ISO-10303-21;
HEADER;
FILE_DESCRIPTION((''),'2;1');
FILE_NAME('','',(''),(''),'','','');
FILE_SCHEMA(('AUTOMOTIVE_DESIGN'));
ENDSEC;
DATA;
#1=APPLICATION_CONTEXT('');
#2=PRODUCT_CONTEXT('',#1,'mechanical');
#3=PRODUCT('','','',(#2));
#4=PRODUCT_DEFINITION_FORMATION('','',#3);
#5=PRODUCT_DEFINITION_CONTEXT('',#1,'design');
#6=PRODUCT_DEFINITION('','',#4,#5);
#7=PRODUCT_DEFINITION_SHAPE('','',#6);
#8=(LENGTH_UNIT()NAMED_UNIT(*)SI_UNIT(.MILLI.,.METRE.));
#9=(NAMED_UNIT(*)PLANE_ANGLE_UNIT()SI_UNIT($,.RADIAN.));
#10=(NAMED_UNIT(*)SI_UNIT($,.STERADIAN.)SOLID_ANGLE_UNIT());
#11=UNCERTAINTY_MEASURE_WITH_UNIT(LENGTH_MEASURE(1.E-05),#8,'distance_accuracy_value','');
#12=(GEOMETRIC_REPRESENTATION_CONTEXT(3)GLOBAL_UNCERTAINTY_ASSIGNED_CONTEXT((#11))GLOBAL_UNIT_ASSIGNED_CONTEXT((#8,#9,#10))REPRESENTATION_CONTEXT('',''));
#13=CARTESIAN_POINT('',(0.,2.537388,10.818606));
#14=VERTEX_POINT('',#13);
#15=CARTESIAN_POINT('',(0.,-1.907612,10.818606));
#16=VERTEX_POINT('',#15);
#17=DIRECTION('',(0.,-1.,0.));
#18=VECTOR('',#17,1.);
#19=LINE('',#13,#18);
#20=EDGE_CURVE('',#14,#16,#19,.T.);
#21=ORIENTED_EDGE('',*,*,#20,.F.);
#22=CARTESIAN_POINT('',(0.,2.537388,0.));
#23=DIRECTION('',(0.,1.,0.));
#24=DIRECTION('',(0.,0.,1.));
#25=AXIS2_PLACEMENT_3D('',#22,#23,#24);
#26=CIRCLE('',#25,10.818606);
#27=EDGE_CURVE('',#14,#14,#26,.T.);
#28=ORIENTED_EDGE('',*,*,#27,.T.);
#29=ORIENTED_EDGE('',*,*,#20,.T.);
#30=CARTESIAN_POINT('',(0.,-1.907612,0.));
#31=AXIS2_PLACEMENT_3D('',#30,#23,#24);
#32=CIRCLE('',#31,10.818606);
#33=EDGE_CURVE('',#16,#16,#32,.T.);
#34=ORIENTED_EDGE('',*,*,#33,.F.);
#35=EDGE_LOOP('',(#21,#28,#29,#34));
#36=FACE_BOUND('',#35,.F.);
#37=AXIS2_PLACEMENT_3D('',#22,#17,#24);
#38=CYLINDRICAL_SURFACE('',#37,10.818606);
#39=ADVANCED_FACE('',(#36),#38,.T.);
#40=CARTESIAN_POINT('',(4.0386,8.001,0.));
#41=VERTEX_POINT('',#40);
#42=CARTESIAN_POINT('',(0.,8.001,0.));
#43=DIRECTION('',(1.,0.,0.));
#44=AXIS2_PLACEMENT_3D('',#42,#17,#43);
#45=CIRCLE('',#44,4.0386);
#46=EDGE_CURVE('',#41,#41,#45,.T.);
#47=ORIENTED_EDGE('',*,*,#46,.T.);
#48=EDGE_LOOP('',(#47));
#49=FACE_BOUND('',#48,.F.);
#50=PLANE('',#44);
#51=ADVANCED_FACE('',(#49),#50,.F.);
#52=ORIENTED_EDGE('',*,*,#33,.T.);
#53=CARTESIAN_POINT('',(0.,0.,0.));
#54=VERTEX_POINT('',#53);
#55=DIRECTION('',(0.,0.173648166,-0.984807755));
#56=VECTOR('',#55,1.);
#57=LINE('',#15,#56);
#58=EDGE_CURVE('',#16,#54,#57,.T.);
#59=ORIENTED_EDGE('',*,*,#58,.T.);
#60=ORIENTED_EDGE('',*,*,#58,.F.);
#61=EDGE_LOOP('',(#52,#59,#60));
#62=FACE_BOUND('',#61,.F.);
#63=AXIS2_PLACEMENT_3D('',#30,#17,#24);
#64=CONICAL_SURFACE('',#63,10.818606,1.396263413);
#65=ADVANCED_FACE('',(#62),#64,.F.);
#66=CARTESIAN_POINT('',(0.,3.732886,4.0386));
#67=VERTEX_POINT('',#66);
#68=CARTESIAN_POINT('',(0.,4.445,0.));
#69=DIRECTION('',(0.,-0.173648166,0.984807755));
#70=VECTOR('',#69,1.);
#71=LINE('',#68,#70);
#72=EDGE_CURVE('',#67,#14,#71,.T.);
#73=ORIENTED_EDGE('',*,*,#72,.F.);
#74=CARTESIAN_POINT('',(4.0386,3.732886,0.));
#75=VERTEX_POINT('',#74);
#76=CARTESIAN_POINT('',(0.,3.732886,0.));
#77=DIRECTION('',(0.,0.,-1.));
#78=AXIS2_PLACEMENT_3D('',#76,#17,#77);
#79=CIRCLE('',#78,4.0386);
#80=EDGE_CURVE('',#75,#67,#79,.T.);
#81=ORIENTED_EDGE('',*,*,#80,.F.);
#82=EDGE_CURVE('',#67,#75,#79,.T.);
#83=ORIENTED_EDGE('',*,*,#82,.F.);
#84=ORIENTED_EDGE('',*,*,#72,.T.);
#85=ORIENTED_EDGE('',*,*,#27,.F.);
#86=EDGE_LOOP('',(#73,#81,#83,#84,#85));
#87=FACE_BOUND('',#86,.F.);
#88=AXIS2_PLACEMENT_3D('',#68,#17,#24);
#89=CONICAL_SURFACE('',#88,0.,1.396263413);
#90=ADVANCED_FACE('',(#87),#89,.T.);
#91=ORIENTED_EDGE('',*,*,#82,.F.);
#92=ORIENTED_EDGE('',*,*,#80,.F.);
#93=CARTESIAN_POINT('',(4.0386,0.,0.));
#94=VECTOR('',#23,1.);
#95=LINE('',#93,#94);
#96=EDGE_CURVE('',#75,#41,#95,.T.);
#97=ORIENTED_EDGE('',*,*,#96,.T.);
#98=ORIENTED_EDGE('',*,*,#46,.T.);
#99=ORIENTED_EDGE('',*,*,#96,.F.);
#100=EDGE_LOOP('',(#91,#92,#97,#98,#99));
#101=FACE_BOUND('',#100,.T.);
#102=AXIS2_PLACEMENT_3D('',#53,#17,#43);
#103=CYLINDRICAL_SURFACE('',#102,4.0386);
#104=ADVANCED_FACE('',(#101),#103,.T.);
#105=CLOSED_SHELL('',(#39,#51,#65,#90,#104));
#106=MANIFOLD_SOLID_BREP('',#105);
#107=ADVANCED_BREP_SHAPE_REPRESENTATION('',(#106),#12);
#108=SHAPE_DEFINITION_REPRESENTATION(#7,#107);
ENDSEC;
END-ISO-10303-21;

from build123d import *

# Parameters (mm, degrees)
F2_R     = 4.0386
F3_DEPTH = 3.4925
F4_DEPTH = 8.001


with BuildPart() as f1:
    # F0 (on Right) → F1 (revolve)
    with BuildSketch(Plane.YZ):
        Polygon((-1.907612, 10.818606), (0, 0), (4.445, 0), (2.537388, 10.818606), align=None)
    revolve(axis=Axis((0, 0.105105, 0), (0, 1, 0)))

    # F2 (on Front) → F3 (join)
    with BuildSketch(Plane.XZ):
        Circle(F2_R)
    extrude(amount=-F3_DEPTH)

    # F2 (on Front) → F4 (join)
    with BuildSketch(Plane.XZ):
        Circle(F2_R)
    extrude(amount=-F4_DEPTH)


solid = f1.part
